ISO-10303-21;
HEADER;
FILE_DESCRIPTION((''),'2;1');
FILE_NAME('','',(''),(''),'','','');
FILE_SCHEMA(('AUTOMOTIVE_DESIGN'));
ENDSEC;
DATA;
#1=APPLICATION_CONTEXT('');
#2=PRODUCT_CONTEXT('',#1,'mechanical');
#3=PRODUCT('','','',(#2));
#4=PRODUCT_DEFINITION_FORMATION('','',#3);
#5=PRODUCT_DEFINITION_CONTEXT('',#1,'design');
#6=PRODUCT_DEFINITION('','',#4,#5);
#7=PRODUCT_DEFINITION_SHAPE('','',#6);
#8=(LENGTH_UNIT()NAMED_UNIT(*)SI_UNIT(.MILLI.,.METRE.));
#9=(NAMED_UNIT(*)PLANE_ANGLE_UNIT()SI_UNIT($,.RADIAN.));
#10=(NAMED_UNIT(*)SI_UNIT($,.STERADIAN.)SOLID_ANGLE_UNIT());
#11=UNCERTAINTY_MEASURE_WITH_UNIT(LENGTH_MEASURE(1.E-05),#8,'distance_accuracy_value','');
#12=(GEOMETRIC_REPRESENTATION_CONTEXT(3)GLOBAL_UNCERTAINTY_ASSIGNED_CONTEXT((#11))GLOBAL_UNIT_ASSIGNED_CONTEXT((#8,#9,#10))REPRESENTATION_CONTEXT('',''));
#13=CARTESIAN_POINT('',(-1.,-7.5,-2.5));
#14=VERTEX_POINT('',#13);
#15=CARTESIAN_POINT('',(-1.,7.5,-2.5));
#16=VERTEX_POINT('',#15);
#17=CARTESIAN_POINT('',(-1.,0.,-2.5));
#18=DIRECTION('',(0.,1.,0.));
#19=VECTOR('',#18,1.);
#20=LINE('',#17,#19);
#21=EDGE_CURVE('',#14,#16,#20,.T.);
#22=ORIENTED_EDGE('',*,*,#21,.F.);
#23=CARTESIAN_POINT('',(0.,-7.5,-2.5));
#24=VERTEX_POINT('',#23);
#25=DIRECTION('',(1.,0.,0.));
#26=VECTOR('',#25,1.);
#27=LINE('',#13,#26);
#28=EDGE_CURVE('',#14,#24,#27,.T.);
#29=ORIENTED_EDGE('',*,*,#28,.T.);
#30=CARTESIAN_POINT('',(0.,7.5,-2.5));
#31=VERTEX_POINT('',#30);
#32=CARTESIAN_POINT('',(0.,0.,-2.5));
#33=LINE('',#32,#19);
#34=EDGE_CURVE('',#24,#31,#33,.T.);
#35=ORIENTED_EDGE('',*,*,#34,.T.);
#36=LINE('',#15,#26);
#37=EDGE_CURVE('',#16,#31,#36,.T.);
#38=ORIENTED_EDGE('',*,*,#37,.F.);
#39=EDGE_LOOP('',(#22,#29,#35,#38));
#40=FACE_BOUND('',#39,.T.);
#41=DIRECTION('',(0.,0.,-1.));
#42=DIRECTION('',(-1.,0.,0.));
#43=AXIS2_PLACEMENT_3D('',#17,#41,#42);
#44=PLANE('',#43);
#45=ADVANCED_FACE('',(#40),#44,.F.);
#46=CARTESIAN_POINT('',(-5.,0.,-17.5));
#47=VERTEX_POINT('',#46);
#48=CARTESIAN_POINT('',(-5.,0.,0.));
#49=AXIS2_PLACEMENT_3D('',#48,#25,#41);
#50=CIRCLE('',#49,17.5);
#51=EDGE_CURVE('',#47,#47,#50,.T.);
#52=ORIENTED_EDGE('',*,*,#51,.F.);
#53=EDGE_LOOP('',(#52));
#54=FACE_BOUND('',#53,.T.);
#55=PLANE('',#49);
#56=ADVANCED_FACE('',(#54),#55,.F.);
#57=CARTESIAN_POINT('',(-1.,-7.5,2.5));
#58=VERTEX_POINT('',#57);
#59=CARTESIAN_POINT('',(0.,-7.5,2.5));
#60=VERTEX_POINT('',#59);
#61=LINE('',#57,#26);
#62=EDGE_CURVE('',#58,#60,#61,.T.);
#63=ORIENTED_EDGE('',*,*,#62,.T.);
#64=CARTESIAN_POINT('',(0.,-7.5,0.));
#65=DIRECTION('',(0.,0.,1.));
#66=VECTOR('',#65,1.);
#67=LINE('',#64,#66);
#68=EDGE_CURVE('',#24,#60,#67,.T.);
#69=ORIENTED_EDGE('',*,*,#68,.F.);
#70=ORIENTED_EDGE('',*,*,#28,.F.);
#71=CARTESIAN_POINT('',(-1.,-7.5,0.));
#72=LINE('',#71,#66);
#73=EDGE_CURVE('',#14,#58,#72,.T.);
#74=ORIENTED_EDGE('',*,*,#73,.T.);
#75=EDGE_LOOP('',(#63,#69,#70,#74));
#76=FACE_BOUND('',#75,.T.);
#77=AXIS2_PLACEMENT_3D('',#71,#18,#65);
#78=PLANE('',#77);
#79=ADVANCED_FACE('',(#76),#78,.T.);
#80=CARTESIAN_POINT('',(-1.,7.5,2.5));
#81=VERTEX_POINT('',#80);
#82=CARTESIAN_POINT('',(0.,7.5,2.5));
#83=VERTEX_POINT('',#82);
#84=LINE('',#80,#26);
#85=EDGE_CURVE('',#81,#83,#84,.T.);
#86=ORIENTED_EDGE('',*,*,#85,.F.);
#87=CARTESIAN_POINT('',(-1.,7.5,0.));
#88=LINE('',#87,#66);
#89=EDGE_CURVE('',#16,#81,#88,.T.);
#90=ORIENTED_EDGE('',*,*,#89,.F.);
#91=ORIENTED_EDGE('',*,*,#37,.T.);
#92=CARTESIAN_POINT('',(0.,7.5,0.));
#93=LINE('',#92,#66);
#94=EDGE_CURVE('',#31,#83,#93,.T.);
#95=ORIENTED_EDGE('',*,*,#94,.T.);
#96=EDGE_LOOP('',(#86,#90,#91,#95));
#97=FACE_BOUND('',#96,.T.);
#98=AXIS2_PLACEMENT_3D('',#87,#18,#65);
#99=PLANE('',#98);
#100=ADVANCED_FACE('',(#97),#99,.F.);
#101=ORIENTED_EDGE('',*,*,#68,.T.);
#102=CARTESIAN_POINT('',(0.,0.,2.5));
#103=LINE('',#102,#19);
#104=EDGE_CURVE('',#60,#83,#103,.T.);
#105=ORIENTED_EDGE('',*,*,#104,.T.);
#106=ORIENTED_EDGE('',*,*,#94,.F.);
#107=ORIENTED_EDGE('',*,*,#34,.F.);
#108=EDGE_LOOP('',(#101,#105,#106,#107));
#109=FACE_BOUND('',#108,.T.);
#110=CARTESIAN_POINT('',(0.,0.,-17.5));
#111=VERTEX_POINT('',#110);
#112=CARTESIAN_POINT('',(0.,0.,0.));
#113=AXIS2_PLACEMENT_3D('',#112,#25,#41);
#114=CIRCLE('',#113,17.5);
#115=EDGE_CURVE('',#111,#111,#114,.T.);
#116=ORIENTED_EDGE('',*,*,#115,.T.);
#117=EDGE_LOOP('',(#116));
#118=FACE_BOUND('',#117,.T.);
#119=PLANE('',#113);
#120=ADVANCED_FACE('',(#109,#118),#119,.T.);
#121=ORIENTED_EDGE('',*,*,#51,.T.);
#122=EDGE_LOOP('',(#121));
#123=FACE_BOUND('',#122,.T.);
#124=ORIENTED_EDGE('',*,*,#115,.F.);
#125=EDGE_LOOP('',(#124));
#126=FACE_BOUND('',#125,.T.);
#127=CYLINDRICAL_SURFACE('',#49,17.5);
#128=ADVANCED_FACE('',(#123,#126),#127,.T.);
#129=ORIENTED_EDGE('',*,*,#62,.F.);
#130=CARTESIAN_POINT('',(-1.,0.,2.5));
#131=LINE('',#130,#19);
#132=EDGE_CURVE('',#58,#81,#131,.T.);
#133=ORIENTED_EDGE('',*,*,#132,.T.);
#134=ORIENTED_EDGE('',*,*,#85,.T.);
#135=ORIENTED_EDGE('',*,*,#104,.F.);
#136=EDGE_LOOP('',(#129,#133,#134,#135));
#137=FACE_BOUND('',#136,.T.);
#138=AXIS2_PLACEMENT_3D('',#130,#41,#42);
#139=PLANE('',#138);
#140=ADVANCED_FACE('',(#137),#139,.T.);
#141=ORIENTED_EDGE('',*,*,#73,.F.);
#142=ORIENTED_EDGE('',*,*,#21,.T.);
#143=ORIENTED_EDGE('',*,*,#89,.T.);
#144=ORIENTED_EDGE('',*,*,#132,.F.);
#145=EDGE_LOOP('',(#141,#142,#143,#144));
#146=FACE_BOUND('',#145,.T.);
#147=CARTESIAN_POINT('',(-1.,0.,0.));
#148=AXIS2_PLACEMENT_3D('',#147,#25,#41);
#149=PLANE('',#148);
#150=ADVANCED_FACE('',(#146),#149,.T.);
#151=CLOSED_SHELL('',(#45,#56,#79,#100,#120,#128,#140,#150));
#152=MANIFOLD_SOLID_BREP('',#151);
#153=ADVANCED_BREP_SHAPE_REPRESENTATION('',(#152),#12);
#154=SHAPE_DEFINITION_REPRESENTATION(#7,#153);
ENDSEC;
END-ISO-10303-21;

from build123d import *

# Parameters (mm, degrees)
SKETCH1_R           = 17.5
BOSS_EXTRUDE1_DEPTH = 5
SKETCH1_3_W         = 5
SKETCH1_3_H         = 15
CUT_EXTRUDE1_DEPTH  = 1


with BuildPart() as part:
    # Sketch1 → Boss-Extrude1 (new body)
    with BuildSketch(Plane(origin=(0, 0, 0), x_dir=(0, 0, -1), z_dir=(1, 0, 0))):
        Circle(SKETCH1_R)
    extrude(amount=-BOSS_EXTRUDE1_DEPTH)

    # Sketch1<3> → Cut-Extrude1 (cut)
    with BuildSketch(Plane(origin=(0, 0, 0), x_dir=(0, 0, -1), z_dir=(1, 0, 0))):
        Rectangle(SKETCH1_3_W, SKETCH1_3_H)
    extrude(amount=-CUT_EXTRUDE1_DEPTH, mode=Mode.SUBTRACT)


solid = part.part
